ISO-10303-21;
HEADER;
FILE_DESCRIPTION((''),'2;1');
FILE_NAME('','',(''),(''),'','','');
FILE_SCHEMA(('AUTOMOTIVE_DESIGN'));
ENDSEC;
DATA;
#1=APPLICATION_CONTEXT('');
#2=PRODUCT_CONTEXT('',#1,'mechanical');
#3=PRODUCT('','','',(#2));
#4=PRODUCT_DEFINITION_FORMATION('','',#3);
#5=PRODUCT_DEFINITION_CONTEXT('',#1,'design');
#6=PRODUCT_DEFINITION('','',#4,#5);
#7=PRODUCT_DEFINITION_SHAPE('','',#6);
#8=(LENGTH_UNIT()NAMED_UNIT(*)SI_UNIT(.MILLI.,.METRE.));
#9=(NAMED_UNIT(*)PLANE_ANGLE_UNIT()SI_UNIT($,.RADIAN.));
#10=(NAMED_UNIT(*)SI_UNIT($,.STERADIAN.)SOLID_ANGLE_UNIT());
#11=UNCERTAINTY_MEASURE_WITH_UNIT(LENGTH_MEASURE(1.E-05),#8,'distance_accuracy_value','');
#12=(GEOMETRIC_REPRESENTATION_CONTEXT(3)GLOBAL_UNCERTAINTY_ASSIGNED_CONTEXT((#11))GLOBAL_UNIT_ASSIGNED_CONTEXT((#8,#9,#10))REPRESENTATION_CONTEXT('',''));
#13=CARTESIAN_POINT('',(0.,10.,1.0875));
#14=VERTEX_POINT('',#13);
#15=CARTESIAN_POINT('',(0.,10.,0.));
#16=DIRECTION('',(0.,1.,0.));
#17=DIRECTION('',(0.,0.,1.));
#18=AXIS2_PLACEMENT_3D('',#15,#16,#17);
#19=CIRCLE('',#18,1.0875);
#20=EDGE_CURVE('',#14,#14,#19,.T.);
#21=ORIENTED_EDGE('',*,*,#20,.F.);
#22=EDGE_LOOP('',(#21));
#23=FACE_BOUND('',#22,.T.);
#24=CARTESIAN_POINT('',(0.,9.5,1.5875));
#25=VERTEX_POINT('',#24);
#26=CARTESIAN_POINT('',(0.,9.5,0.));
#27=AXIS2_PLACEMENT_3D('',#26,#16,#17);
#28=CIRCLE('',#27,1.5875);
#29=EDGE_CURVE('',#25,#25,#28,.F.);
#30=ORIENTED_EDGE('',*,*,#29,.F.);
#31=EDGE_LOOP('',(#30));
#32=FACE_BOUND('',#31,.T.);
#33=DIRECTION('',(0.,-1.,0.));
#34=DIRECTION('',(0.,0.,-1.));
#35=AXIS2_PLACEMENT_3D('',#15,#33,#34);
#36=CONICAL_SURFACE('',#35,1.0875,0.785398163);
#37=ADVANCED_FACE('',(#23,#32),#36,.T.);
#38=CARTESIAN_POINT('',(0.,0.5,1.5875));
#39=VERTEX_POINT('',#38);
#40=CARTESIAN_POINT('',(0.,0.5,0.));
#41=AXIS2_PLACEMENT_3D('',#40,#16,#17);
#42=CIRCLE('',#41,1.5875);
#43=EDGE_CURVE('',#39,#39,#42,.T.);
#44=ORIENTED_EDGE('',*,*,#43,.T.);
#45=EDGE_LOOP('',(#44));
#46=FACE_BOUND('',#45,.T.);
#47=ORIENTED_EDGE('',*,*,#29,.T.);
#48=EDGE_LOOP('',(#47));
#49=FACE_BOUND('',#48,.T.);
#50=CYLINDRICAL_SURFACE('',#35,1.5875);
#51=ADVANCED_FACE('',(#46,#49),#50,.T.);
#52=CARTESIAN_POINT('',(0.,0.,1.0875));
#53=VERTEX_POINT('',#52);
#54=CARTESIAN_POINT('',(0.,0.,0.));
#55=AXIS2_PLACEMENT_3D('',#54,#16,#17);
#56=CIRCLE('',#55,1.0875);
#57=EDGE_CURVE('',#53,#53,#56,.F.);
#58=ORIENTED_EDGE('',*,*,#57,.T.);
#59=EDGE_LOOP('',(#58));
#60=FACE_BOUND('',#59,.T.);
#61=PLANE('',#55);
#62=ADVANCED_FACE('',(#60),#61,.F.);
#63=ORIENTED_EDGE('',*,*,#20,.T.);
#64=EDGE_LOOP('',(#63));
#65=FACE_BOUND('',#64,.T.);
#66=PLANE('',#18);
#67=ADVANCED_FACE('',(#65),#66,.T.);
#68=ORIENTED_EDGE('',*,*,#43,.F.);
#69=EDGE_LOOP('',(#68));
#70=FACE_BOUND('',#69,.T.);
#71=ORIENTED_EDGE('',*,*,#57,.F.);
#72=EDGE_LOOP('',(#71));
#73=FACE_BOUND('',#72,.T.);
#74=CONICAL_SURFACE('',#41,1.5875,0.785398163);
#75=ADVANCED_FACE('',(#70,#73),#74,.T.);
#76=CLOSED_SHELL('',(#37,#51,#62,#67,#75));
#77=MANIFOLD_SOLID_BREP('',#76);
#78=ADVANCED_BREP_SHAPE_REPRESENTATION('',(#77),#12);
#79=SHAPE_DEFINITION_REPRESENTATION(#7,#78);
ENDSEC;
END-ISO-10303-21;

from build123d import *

# Parameters (mm, degrees)
SKETCH1_R           = 1.5875
BOSS_EXTRUDE1_DEPTH = 10
CHAMFER1_SIZE       = 0.5
CHAMFER2_SIZE       = 0.5


with BuildPart() as part:
    # Sketch1 → Boss-Extrude1 (new body)
    with BuildSketch(Plane(origin=(0, 0, 0), x_dir=(1, 0, 0), z_dir=(0, 1, 0))):
        with Locations(Location((0, 0, 0), (0, 0, 270))):
            Circle(SKETCH1_R)
    extrude(amount=BOSS_EXTRUDE1_DEPTH)

    # Chamfer1
    chamfer1_edges = [part.edges().sort_by_distance(p)[0] for p in [
        (0, 10, -1.5875),
    ]]
    chamfer(chamfer1_edges, length=CHAMFER1_SIZE)

    # Chamfer2
    chamfer2_edges = [part.edges().sort_by_distance(p)[0] for p in [
        (0, 0, -1.5875),
    ]]
    chamfer(chamfer2_edges, length=CHAMFER2_SIZE)


solid = part.part
